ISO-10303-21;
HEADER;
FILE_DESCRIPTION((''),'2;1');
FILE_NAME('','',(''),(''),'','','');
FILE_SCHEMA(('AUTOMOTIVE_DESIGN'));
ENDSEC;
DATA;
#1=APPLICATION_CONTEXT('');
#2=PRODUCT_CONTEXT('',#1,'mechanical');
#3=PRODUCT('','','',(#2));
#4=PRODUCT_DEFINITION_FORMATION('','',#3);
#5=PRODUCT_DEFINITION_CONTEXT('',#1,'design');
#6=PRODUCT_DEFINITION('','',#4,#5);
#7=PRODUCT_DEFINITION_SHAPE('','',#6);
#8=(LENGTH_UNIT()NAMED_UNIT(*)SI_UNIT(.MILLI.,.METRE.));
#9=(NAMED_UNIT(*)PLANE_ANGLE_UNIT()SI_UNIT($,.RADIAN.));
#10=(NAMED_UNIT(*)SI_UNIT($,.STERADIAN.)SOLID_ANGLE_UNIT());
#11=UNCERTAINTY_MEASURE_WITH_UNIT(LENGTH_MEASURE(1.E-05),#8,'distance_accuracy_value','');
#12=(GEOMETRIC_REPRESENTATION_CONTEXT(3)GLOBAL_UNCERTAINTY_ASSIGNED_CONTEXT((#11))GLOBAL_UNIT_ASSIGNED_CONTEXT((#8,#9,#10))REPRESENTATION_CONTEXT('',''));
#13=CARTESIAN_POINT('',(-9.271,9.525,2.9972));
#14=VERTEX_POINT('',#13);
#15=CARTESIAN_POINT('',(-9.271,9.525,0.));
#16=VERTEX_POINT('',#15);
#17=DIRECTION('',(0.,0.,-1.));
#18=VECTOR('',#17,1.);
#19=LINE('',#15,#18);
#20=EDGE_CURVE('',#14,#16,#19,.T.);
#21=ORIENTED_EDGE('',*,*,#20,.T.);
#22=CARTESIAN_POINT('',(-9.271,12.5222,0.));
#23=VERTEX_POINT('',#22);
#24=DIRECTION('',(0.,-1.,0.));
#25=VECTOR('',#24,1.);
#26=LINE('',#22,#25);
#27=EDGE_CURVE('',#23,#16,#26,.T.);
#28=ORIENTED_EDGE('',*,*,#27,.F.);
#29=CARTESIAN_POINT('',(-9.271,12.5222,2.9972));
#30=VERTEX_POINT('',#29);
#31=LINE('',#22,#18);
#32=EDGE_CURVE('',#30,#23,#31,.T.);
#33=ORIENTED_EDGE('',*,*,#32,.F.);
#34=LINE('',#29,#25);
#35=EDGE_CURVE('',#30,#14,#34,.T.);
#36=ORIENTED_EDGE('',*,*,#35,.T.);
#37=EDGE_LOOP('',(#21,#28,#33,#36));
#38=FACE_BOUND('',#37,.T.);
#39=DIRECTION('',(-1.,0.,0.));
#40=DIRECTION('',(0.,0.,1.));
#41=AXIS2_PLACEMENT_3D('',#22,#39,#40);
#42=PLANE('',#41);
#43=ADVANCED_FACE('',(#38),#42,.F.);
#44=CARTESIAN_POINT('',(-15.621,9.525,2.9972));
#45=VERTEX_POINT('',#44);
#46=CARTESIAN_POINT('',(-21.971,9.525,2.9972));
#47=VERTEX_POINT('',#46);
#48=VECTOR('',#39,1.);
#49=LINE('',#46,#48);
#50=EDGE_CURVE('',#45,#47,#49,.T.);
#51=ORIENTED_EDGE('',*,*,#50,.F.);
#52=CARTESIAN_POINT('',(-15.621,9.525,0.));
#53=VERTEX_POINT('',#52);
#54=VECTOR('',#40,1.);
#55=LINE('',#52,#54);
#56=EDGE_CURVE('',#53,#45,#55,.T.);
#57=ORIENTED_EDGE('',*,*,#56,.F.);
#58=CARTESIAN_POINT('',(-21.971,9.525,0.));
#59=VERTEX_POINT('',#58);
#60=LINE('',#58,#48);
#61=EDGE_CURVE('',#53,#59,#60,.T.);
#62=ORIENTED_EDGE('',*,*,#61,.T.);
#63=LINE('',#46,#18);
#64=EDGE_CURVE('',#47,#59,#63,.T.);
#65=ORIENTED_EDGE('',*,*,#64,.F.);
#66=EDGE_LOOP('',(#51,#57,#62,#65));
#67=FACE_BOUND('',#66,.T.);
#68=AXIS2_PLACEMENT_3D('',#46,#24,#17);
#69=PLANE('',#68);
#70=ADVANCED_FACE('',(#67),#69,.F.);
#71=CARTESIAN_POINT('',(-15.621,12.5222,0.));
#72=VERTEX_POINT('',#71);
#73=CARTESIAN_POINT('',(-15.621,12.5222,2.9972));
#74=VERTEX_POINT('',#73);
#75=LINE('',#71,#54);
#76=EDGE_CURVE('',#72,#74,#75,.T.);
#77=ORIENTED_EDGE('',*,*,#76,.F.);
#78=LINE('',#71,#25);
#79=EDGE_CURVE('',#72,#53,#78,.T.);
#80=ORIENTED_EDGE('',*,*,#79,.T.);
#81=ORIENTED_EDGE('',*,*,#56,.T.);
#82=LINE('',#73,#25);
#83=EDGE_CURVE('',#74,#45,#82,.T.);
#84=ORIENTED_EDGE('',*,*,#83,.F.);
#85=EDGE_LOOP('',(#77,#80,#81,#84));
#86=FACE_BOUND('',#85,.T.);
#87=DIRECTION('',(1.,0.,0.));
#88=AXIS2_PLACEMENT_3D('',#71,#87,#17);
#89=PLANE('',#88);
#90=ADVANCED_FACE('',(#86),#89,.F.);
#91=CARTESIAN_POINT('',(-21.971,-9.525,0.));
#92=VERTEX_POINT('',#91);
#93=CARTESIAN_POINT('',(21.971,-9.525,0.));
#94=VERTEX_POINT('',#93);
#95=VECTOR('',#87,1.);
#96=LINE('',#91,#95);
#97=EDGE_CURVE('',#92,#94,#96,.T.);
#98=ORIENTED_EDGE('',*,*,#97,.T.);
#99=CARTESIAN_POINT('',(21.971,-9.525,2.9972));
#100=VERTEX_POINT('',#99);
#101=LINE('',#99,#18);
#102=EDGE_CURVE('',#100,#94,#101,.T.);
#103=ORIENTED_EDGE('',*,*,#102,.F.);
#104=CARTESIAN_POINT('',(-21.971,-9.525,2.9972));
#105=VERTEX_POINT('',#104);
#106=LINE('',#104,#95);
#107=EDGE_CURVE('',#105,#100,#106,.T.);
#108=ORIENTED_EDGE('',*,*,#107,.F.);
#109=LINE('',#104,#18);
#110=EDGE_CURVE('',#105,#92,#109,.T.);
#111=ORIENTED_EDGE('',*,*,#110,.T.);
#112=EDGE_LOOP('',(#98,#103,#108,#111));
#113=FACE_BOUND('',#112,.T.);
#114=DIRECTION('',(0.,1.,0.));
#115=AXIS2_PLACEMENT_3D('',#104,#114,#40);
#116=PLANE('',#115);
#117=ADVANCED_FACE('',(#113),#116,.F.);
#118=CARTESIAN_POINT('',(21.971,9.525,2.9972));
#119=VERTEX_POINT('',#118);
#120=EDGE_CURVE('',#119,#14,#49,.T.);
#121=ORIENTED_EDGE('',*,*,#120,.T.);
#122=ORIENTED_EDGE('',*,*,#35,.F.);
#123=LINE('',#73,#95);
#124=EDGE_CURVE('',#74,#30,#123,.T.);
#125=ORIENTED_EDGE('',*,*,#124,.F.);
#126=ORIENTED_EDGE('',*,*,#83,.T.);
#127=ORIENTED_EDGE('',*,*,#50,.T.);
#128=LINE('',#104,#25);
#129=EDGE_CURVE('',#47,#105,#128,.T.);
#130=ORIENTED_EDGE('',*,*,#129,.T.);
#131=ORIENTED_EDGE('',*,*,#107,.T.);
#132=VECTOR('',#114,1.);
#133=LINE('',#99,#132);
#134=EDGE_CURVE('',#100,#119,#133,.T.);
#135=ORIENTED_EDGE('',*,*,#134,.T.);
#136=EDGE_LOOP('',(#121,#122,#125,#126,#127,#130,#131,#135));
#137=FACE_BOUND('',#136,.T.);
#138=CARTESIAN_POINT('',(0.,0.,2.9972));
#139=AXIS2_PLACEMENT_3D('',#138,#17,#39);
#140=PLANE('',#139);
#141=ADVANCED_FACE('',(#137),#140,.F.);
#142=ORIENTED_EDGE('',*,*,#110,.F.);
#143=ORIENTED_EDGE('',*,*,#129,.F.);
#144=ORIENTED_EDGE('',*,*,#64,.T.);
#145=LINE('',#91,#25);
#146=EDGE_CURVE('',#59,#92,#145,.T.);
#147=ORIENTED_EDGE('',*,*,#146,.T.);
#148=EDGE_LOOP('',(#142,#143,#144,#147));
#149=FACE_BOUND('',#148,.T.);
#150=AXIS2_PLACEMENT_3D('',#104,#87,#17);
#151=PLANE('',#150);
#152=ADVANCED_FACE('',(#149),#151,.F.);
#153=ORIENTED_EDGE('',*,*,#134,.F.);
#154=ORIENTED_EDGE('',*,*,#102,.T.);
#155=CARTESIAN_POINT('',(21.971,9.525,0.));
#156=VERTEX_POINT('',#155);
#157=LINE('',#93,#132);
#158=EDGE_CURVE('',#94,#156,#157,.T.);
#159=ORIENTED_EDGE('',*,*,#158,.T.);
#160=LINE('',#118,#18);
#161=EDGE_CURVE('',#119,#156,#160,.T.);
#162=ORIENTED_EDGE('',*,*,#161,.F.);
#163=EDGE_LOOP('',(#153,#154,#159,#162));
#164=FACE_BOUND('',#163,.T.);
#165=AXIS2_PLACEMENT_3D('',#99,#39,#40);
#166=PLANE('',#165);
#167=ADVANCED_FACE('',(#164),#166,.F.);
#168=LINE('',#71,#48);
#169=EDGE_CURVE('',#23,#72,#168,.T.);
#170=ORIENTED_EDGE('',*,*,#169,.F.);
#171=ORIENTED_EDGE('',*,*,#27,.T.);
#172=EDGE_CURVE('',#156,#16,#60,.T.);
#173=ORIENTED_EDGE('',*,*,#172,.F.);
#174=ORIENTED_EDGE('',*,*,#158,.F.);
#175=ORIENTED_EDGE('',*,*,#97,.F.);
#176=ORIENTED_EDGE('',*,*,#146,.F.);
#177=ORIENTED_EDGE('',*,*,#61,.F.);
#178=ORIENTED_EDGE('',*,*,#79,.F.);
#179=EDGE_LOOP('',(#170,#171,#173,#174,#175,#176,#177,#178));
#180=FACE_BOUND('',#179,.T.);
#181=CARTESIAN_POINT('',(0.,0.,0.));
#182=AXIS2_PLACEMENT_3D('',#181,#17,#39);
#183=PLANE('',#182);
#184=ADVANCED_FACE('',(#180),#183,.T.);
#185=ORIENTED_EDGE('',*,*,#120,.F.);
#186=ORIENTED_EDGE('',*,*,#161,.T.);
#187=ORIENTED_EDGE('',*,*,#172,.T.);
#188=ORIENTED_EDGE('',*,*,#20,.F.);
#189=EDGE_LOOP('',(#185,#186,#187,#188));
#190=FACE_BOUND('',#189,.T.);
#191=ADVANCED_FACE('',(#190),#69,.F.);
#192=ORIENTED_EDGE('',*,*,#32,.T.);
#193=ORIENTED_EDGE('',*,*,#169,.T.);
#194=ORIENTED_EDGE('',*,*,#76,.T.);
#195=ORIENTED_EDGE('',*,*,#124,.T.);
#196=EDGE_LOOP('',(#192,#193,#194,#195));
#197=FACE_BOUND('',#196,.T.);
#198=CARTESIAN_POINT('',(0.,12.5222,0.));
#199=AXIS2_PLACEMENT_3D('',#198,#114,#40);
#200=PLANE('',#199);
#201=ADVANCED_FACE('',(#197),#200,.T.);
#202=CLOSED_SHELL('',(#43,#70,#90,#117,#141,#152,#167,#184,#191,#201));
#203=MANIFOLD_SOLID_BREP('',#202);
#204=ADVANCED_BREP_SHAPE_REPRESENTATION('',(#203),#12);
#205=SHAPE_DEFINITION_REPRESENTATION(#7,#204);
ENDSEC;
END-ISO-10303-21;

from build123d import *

# Parameters (mm, degrees)
SKETCH1_W  = 43.942
SKETCH1_H  = 19.05
BODY_DEPTH = 2.9972
SKETCH2_W  = 6.35
SKETCH2_H  = 2.9972
TAB_DEPTH  = 2.9972


with BuildPart() as part:
    # Sketch1 → Body (new body)
    with BuildSketch(Plane.XY):
        Rectangle(SKETCH1_W, SKETCH1_H)
    extrude(amount=BODY_DEPTH)

    # Sketch2 → Tab (add)
    with BuildSketch(Plane(origin=(0, 9.525, 0), x_dir=(1, 0, 0), z_dir=(0, 1, 0))):
        with Locations((-12.446, -1.4986)):
            Rectangle(SKETCH2_W, SKETCH2_H)
    extrude(amount=TAB_DEPTH)


solid = part.part
